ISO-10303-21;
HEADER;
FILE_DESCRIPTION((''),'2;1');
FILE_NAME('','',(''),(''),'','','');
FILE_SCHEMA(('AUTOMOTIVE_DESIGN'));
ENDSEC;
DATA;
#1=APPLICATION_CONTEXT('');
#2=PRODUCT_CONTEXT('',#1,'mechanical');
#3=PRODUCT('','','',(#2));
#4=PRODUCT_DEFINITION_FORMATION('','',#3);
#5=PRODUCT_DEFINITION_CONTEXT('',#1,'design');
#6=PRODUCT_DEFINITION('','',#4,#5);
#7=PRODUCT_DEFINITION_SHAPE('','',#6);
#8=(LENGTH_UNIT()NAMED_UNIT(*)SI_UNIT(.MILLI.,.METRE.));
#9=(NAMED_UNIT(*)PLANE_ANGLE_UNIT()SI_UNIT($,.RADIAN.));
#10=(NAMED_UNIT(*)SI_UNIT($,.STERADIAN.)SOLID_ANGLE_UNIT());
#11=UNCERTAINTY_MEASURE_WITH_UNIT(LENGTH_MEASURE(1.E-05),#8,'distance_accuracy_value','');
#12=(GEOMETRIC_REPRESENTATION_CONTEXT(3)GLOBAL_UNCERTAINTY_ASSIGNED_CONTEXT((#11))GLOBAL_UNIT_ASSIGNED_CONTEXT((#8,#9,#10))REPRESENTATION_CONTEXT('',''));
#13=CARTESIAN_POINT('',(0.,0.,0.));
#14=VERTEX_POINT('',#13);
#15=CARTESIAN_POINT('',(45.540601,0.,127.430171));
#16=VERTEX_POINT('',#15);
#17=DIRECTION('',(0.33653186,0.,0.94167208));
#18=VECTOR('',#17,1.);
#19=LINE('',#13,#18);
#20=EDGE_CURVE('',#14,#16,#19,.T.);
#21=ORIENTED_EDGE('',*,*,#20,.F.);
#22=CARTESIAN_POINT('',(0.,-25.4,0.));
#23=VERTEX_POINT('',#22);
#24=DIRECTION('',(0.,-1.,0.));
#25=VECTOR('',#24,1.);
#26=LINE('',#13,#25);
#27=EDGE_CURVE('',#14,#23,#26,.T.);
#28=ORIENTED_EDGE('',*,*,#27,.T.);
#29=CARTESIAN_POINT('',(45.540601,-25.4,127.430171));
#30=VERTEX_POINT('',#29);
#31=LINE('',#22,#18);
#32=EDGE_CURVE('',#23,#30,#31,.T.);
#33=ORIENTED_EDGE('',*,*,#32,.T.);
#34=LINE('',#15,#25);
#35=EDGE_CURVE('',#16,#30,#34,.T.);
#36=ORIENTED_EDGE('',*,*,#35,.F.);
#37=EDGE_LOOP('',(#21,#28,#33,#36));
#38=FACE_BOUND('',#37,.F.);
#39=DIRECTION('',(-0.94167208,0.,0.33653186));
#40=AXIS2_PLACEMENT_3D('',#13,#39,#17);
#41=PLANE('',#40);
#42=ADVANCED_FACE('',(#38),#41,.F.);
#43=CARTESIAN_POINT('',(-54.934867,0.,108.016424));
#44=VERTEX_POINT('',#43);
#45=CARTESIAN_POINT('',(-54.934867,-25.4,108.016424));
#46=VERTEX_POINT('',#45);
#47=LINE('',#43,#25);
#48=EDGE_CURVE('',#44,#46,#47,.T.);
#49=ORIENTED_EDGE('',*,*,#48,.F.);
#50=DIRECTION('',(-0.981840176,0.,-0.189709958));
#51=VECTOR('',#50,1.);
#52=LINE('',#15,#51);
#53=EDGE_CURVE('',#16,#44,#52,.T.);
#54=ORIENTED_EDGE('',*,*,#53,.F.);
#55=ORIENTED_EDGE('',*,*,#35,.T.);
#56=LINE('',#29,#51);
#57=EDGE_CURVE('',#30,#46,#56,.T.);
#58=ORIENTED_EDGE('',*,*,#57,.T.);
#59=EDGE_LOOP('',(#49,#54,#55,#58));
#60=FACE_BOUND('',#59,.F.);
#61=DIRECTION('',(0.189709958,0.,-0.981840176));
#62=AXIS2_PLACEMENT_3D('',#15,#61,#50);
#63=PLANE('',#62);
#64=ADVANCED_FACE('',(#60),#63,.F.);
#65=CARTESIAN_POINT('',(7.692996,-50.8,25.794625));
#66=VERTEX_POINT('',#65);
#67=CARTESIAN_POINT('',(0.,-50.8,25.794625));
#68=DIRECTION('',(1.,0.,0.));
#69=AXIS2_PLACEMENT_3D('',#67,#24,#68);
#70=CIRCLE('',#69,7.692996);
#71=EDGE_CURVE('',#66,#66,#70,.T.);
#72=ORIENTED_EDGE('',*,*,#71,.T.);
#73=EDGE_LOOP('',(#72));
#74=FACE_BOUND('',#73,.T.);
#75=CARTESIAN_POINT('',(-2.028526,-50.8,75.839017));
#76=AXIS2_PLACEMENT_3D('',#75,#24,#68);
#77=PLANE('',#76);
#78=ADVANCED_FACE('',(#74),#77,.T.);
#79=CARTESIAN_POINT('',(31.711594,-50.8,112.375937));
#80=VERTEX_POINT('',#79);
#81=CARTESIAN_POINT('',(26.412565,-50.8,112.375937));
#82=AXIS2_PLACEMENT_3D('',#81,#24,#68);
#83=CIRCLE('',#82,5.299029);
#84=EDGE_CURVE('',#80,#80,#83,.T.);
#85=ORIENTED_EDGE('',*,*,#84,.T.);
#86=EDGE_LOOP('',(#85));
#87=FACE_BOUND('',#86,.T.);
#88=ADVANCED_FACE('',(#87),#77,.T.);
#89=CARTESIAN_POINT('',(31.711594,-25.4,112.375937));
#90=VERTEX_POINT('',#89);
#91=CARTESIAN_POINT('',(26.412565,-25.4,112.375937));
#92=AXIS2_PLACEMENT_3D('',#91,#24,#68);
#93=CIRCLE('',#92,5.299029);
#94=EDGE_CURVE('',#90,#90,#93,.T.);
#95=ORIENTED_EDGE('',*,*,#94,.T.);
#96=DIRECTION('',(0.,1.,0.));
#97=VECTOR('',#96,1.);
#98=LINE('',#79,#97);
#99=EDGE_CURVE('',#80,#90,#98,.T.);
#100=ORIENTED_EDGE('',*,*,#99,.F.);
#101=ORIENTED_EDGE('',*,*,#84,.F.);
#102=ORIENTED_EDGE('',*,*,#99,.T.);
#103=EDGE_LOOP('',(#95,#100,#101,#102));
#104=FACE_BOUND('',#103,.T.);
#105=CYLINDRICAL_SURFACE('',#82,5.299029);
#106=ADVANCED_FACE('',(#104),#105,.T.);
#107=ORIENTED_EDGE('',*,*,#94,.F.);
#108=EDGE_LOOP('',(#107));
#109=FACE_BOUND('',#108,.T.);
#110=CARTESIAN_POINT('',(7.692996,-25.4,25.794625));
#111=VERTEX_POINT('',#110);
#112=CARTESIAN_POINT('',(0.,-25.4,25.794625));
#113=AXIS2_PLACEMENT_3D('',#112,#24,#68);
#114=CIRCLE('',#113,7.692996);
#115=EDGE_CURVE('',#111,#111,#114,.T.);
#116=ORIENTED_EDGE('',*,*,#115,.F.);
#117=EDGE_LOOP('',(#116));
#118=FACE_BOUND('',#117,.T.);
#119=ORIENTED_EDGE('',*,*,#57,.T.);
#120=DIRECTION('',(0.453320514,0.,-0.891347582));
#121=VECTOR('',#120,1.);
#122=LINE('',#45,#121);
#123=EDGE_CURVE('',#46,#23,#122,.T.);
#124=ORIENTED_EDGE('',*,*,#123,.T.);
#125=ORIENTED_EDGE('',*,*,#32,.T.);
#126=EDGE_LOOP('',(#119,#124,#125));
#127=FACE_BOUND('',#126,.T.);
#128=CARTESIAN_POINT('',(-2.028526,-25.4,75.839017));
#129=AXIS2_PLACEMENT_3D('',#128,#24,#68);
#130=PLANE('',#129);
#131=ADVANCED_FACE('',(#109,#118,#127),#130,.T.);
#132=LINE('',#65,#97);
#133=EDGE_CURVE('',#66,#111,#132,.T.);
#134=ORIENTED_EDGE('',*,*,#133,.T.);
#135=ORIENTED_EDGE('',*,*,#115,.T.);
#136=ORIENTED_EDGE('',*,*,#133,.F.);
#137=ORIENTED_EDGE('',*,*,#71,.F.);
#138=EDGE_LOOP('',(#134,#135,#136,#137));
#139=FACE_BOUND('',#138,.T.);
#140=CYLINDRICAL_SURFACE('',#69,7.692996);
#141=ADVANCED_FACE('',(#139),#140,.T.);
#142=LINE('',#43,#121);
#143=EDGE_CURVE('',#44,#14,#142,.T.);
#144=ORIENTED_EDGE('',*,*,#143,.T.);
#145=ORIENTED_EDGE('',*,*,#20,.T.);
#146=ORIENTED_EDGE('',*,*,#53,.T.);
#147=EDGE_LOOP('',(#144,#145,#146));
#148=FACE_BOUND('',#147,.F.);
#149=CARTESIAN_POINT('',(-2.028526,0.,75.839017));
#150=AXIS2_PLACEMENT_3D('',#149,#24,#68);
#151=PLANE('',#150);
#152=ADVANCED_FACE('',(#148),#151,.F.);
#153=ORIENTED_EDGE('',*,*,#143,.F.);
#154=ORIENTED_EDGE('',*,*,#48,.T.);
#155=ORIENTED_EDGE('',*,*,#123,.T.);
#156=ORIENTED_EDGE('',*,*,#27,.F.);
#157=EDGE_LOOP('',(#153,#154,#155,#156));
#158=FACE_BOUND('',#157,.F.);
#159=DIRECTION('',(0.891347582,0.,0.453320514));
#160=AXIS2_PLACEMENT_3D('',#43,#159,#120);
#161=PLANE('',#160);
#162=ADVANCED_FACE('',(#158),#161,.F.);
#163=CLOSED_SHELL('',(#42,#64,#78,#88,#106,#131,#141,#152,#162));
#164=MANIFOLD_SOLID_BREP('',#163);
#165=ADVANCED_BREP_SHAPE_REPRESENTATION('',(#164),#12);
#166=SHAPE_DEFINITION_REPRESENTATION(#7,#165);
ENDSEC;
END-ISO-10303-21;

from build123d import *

# Parameters (mm, degrees)
F1_DEPTH = 50.8
F3_R     = 7.692996
F3_R_2   = 5.299029
F4_DEPTH = 25.4


with BuildPart() as f1:
    # F0 (on Front) → F1 (new body)
    with BuildSketch(Plane.XZ):
        Polygon((-54.934867, 108.016424), (0, 0), (45.540601, 127.430171), align=None)
    extrude(amount=F1_DEPTH)

    # F3 (on face) → F4 (cut)
    with BuildSketch(Plane.XZ.offset(50.8)):
        Polygon((0, 0), (45.540601, 127.430171), (-54.934867, 108.016424), align=None)
        with Locations((0, 25.794625)):
            Circle(F3_R, mode=Mode.SUBTRACT)
        with Locations((26.412565, 112.375937)):
            Circle(F3_R_2, mode=Mode.SUBTRACT)
    extrude(amount=-F4_DEPTH, mode=Mode.SUBTRACT)


solid = f1.part
